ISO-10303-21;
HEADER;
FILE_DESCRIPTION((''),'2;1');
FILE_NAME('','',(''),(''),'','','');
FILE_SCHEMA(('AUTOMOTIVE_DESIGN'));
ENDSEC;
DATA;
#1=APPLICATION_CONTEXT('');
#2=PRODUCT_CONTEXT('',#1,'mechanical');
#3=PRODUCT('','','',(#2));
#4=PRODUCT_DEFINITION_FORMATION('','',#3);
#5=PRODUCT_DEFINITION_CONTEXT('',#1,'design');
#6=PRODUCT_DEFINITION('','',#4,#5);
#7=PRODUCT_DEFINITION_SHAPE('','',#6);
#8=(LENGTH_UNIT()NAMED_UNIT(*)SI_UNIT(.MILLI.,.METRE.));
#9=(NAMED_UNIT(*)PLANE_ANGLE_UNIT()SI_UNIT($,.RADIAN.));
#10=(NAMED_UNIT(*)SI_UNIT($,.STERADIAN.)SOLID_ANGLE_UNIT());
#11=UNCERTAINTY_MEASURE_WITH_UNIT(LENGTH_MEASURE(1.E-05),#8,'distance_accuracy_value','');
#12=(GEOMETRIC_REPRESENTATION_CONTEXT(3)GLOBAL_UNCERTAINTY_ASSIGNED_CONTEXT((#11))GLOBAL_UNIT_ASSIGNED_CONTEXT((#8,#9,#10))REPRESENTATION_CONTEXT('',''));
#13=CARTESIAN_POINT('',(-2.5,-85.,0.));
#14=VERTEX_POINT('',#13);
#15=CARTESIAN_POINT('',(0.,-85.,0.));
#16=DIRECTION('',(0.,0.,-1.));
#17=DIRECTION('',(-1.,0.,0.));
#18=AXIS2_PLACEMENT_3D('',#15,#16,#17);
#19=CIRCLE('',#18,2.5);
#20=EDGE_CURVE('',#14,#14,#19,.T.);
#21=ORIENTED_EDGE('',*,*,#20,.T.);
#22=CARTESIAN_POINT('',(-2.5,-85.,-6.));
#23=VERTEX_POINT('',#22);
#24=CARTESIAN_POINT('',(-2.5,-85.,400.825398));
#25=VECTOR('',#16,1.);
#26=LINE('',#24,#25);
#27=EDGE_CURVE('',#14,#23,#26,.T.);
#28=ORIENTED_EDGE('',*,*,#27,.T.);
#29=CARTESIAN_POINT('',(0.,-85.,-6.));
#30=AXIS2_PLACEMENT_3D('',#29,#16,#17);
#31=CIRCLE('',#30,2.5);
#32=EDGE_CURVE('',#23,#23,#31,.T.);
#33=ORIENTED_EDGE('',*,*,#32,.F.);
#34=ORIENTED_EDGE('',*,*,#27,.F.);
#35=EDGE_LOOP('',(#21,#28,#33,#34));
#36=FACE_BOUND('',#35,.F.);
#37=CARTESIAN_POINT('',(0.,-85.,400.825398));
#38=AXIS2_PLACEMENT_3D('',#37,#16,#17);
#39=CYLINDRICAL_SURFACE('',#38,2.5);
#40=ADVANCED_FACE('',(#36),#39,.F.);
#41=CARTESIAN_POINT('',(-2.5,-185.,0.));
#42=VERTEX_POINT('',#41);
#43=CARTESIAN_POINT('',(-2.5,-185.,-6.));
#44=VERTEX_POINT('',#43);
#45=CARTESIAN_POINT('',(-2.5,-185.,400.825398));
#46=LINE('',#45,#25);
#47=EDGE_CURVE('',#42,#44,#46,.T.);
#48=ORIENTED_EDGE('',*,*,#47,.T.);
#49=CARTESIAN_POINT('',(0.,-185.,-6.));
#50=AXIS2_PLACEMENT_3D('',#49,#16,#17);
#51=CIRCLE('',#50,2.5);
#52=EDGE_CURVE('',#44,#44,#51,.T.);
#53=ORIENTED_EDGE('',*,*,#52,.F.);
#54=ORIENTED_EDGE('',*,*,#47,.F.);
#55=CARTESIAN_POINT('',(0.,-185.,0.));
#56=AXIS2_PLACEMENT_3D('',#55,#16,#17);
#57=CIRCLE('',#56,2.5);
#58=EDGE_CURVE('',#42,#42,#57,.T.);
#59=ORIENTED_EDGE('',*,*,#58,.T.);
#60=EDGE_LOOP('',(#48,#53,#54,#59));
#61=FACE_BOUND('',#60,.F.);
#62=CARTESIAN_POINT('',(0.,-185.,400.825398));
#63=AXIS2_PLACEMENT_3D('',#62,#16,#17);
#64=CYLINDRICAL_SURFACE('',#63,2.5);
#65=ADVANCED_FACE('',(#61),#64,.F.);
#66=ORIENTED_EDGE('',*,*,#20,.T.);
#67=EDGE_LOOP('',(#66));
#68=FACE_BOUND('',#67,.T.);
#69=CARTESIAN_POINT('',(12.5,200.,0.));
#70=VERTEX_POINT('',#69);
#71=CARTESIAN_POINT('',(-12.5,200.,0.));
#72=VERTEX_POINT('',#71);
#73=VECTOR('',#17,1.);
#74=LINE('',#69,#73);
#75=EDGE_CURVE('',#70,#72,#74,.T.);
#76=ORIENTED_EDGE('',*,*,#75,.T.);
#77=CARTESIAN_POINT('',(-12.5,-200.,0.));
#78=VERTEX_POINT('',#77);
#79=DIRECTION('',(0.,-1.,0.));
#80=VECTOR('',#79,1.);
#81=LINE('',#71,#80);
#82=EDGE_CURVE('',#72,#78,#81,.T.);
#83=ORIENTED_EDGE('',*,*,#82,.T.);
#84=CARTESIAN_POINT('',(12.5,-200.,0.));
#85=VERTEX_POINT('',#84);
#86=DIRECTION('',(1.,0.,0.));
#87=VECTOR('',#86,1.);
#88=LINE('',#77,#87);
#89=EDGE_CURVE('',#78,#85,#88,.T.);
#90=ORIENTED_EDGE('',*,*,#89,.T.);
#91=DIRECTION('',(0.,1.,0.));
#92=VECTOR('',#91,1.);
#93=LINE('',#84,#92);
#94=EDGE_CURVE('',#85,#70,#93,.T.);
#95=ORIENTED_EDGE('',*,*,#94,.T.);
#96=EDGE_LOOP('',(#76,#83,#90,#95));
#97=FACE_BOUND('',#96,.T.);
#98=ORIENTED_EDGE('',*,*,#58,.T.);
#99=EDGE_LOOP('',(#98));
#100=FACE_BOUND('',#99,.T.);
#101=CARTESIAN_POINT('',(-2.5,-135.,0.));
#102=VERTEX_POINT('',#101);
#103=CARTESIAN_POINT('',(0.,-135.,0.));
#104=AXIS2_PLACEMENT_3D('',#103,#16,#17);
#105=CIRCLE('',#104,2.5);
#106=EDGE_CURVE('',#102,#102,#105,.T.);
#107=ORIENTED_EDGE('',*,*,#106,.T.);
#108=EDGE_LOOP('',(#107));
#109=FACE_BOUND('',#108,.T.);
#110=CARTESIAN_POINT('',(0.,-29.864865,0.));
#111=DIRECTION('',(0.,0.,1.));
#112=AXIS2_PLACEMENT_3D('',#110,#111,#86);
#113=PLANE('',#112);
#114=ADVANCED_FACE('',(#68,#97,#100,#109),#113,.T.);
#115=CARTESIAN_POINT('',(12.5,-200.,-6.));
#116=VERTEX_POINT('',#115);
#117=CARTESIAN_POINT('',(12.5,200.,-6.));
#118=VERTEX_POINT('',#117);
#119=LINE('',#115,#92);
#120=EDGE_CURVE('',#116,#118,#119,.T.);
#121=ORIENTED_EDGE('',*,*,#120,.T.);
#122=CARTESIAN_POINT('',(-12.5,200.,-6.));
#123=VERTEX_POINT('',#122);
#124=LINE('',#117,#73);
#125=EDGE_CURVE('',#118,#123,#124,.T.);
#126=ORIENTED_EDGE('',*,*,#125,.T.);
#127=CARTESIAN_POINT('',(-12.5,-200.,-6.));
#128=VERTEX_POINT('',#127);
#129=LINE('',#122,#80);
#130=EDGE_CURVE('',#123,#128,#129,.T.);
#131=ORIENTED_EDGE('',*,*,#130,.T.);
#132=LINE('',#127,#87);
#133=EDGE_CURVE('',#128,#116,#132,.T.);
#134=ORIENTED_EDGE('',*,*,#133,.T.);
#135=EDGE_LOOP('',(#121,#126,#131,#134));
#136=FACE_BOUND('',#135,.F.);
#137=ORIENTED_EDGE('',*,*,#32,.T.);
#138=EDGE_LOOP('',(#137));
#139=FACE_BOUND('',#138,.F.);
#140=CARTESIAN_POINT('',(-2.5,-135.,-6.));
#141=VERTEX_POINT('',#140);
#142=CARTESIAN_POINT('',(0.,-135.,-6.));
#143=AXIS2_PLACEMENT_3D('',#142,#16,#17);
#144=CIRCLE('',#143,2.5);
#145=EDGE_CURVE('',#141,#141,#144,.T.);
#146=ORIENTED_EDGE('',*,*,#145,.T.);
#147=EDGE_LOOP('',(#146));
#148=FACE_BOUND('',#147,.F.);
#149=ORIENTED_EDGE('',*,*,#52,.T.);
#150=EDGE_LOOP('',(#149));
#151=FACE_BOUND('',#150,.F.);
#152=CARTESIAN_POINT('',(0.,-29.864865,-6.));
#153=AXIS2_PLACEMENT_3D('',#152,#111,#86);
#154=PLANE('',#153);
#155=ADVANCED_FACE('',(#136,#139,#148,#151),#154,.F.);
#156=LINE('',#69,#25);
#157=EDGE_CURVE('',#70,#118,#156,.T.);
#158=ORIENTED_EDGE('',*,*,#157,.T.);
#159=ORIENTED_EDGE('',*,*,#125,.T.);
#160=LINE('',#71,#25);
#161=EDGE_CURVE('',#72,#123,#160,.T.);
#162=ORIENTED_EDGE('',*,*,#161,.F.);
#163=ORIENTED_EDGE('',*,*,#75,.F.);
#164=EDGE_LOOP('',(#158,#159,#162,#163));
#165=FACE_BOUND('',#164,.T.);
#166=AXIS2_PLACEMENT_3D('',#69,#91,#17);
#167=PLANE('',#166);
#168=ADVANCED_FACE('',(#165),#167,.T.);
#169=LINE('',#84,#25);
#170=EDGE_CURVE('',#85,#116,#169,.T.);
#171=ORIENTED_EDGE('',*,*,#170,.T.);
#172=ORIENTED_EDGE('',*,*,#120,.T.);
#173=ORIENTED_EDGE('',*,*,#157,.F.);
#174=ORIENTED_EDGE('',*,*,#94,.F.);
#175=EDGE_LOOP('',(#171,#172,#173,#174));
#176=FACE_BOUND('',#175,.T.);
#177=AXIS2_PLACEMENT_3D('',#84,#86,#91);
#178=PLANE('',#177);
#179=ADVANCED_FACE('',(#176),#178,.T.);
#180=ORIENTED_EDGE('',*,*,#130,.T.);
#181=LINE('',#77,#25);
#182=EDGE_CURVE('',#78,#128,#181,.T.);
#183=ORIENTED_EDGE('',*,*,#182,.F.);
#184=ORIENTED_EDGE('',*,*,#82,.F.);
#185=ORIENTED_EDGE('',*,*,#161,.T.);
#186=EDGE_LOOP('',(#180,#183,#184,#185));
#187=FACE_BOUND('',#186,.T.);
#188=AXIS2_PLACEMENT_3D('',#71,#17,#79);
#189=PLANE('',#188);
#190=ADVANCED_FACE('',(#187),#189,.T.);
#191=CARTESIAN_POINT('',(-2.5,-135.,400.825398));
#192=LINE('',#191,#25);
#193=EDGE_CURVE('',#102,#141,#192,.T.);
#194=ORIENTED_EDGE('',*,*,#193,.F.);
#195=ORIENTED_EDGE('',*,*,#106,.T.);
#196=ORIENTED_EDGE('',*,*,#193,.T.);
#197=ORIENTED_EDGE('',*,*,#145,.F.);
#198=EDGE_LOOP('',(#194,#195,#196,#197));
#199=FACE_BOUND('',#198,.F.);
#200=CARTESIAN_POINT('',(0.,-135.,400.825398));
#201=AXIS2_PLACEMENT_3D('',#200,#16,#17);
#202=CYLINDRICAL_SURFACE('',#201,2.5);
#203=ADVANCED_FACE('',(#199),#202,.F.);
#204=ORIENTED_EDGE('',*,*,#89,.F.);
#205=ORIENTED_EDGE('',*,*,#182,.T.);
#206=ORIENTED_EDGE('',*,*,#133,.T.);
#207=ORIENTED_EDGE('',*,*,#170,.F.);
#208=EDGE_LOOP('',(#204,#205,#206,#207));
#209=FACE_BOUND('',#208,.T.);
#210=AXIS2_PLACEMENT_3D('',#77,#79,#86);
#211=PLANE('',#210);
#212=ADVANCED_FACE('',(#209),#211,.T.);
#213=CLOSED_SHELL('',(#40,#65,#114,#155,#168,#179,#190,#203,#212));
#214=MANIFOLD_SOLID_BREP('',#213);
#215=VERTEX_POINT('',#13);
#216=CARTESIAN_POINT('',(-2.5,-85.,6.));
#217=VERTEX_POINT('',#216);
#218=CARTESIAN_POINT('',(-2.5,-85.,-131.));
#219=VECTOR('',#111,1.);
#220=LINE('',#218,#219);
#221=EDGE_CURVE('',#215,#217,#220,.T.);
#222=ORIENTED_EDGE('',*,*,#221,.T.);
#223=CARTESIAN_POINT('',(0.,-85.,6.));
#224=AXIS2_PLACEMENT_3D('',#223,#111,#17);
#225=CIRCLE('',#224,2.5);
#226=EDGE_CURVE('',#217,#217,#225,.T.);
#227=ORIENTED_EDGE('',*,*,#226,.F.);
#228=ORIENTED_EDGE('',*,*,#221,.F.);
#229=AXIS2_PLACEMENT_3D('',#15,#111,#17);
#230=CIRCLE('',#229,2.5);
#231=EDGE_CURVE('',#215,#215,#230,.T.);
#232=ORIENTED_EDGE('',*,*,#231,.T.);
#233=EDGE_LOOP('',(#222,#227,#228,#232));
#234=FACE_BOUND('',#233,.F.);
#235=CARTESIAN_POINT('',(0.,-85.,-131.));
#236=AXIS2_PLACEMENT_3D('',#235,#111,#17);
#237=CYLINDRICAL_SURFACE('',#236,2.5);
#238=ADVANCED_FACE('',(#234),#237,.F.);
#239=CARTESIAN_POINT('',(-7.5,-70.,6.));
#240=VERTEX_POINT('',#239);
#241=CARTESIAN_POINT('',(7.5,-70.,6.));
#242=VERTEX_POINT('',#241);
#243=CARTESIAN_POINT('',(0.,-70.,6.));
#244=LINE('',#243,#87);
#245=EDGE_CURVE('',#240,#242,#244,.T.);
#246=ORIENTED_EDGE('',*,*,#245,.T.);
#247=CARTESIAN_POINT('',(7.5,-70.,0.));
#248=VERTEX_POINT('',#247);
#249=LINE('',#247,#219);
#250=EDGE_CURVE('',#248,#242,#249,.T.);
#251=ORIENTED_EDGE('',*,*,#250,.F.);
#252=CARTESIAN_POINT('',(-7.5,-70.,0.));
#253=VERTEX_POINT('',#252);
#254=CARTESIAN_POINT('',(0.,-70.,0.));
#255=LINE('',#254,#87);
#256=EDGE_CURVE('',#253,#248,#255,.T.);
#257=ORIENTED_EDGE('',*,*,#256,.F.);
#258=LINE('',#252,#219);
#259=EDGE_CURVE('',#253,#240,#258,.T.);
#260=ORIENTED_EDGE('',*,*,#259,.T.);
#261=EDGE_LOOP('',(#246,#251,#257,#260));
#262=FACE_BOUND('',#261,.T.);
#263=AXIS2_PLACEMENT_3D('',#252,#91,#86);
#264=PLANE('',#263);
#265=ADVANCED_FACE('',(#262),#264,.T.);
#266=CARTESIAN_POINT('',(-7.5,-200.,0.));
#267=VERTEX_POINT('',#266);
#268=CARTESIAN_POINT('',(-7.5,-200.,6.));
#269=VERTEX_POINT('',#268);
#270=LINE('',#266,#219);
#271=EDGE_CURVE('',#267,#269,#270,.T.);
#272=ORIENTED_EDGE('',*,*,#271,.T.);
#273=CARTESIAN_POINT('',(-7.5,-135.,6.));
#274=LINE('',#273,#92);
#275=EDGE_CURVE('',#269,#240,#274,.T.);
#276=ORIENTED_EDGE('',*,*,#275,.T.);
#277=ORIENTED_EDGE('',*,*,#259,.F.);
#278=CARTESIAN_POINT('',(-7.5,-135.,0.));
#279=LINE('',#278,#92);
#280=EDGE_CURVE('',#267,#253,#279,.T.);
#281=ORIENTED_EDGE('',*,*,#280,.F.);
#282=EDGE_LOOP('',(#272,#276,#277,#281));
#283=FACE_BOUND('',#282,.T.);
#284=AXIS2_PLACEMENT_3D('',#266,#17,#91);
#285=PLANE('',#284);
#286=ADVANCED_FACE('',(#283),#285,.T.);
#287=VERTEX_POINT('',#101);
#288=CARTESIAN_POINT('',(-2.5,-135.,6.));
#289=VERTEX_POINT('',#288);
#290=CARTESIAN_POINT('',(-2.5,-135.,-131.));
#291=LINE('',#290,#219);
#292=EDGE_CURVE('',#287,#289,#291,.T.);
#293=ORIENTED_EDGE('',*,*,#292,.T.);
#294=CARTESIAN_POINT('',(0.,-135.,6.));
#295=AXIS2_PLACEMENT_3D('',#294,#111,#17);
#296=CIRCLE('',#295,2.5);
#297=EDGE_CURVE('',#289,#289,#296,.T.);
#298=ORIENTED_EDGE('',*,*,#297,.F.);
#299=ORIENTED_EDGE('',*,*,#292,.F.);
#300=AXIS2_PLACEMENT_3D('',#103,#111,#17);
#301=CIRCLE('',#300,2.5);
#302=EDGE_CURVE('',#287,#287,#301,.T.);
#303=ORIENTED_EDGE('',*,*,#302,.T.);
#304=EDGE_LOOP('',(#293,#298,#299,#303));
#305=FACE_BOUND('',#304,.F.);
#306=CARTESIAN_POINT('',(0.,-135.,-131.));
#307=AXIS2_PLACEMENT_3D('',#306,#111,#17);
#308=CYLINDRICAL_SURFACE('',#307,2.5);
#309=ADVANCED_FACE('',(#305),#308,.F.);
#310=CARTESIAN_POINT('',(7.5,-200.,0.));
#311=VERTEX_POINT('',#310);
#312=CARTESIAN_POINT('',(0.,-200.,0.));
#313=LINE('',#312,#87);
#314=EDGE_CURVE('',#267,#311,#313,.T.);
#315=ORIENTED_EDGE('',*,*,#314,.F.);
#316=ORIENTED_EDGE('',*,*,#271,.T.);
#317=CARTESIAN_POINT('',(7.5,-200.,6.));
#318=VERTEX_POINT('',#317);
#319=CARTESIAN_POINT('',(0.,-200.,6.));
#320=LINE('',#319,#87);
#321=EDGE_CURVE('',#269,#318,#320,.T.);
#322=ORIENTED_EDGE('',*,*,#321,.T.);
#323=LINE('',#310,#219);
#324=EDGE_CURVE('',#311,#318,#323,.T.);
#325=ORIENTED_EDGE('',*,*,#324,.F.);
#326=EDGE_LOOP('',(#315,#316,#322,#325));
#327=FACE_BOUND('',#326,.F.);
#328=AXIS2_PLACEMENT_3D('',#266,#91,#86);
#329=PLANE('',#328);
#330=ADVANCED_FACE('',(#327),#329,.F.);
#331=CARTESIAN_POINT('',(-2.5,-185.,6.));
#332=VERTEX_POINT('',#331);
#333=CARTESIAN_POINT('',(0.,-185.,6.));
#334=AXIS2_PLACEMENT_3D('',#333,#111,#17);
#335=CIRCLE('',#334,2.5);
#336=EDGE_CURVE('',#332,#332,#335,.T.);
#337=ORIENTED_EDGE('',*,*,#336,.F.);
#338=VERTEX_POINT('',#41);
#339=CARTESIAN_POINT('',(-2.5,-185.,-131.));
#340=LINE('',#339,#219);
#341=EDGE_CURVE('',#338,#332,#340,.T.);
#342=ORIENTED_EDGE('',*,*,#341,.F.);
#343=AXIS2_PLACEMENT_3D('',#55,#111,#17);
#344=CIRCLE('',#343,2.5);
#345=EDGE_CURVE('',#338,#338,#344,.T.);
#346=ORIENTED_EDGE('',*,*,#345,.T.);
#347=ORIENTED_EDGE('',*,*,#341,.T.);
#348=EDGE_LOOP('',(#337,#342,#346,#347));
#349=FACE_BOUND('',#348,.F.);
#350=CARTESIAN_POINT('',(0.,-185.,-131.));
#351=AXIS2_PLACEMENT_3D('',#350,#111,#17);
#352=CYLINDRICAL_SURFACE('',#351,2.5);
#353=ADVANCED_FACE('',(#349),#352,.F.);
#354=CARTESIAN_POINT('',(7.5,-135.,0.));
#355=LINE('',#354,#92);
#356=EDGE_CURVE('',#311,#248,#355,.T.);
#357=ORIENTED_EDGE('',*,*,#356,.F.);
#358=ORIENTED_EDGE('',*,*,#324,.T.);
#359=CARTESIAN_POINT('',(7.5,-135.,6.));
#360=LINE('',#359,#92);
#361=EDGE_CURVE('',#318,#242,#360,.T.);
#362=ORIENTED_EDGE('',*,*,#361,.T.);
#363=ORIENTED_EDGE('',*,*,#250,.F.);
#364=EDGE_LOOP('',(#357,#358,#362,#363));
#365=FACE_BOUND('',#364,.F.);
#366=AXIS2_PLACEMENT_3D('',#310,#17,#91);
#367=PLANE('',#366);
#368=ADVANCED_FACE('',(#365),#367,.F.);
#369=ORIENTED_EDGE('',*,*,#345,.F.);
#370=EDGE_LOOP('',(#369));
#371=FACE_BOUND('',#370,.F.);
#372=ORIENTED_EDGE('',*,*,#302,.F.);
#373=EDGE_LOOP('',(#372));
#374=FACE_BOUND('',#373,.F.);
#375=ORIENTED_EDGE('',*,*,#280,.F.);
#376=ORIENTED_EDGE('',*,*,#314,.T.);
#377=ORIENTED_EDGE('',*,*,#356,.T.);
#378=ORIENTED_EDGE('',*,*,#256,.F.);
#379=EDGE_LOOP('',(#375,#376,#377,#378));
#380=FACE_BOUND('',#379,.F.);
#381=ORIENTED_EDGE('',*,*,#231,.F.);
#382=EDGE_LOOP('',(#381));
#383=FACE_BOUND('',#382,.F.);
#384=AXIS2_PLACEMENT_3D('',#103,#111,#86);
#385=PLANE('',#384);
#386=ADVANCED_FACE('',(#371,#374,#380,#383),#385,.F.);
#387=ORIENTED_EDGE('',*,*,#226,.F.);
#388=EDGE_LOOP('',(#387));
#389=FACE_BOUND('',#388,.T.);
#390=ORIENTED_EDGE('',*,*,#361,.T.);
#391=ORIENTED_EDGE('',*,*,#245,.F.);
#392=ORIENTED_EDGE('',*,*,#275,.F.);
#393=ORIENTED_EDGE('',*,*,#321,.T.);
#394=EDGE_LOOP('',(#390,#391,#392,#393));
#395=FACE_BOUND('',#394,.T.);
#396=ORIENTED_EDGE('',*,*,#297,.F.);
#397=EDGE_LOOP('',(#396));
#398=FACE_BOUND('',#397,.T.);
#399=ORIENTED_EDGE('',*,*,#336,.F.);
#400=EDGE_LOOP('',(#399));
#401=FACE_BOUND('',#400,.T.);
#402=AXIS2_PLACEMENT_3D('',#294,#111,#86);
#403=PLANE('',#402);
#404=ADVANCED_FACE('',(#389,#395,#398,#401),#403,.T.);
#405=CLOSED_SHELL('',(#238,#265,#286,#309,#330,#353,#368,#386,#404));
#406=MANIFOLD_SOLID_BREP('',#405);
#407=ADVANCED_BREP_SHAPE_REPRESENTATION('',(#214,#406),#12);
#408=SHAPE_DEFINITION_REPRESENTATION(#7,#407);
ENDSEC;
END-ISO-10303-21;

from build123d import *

# Parameters (mm, degrees)
F0_W     = 15
F0_H     = 130
F1_DEPTH = 6
F2_DEPTH = 6
F3_D     = 5
F4_D     = 5


with BuildPart() as f1:
    # F0 (on Top) → F1 (new body)
    with BuildSketch(Plane.XY):
        Polygon((-12.5, 200), (-12.5, -200), (-7.5, -200), (-7.5, -70), (7.5, -70), (7.5, -200), (12.5, -200), (12.5, 200), align=None)
        with Locations((0, -135)):
            Rectangle(F0_W, F0_H)
    extrude(amount=-F1_DEPTH)

    # F3 (through all)
    with Locations(Plane.XY):
        with Locations((0, -135), (0, -185), (0, -85)):
            Hole(F3_D / 2)


with BuildPart() as f2:
    # F0 (on Top) → F2 (new body)
    with BuildSketch(Plane.XY):
        with Locations((0, -135)):
            Rectangle(F0_W, F0_H)
    extrude(amount=F2_DEPTH)

    # F4 (through all)
    with Locations(Plane(origin=(0, 0, 0), x_dir=(1, 0, 0), z_dir=(0, 0, -1))):
        with Locations((0, 185), (0, 135), (0, 85)):
            Hole(F4_D / 2)


solid = Compound([f1.part, f2.part])
